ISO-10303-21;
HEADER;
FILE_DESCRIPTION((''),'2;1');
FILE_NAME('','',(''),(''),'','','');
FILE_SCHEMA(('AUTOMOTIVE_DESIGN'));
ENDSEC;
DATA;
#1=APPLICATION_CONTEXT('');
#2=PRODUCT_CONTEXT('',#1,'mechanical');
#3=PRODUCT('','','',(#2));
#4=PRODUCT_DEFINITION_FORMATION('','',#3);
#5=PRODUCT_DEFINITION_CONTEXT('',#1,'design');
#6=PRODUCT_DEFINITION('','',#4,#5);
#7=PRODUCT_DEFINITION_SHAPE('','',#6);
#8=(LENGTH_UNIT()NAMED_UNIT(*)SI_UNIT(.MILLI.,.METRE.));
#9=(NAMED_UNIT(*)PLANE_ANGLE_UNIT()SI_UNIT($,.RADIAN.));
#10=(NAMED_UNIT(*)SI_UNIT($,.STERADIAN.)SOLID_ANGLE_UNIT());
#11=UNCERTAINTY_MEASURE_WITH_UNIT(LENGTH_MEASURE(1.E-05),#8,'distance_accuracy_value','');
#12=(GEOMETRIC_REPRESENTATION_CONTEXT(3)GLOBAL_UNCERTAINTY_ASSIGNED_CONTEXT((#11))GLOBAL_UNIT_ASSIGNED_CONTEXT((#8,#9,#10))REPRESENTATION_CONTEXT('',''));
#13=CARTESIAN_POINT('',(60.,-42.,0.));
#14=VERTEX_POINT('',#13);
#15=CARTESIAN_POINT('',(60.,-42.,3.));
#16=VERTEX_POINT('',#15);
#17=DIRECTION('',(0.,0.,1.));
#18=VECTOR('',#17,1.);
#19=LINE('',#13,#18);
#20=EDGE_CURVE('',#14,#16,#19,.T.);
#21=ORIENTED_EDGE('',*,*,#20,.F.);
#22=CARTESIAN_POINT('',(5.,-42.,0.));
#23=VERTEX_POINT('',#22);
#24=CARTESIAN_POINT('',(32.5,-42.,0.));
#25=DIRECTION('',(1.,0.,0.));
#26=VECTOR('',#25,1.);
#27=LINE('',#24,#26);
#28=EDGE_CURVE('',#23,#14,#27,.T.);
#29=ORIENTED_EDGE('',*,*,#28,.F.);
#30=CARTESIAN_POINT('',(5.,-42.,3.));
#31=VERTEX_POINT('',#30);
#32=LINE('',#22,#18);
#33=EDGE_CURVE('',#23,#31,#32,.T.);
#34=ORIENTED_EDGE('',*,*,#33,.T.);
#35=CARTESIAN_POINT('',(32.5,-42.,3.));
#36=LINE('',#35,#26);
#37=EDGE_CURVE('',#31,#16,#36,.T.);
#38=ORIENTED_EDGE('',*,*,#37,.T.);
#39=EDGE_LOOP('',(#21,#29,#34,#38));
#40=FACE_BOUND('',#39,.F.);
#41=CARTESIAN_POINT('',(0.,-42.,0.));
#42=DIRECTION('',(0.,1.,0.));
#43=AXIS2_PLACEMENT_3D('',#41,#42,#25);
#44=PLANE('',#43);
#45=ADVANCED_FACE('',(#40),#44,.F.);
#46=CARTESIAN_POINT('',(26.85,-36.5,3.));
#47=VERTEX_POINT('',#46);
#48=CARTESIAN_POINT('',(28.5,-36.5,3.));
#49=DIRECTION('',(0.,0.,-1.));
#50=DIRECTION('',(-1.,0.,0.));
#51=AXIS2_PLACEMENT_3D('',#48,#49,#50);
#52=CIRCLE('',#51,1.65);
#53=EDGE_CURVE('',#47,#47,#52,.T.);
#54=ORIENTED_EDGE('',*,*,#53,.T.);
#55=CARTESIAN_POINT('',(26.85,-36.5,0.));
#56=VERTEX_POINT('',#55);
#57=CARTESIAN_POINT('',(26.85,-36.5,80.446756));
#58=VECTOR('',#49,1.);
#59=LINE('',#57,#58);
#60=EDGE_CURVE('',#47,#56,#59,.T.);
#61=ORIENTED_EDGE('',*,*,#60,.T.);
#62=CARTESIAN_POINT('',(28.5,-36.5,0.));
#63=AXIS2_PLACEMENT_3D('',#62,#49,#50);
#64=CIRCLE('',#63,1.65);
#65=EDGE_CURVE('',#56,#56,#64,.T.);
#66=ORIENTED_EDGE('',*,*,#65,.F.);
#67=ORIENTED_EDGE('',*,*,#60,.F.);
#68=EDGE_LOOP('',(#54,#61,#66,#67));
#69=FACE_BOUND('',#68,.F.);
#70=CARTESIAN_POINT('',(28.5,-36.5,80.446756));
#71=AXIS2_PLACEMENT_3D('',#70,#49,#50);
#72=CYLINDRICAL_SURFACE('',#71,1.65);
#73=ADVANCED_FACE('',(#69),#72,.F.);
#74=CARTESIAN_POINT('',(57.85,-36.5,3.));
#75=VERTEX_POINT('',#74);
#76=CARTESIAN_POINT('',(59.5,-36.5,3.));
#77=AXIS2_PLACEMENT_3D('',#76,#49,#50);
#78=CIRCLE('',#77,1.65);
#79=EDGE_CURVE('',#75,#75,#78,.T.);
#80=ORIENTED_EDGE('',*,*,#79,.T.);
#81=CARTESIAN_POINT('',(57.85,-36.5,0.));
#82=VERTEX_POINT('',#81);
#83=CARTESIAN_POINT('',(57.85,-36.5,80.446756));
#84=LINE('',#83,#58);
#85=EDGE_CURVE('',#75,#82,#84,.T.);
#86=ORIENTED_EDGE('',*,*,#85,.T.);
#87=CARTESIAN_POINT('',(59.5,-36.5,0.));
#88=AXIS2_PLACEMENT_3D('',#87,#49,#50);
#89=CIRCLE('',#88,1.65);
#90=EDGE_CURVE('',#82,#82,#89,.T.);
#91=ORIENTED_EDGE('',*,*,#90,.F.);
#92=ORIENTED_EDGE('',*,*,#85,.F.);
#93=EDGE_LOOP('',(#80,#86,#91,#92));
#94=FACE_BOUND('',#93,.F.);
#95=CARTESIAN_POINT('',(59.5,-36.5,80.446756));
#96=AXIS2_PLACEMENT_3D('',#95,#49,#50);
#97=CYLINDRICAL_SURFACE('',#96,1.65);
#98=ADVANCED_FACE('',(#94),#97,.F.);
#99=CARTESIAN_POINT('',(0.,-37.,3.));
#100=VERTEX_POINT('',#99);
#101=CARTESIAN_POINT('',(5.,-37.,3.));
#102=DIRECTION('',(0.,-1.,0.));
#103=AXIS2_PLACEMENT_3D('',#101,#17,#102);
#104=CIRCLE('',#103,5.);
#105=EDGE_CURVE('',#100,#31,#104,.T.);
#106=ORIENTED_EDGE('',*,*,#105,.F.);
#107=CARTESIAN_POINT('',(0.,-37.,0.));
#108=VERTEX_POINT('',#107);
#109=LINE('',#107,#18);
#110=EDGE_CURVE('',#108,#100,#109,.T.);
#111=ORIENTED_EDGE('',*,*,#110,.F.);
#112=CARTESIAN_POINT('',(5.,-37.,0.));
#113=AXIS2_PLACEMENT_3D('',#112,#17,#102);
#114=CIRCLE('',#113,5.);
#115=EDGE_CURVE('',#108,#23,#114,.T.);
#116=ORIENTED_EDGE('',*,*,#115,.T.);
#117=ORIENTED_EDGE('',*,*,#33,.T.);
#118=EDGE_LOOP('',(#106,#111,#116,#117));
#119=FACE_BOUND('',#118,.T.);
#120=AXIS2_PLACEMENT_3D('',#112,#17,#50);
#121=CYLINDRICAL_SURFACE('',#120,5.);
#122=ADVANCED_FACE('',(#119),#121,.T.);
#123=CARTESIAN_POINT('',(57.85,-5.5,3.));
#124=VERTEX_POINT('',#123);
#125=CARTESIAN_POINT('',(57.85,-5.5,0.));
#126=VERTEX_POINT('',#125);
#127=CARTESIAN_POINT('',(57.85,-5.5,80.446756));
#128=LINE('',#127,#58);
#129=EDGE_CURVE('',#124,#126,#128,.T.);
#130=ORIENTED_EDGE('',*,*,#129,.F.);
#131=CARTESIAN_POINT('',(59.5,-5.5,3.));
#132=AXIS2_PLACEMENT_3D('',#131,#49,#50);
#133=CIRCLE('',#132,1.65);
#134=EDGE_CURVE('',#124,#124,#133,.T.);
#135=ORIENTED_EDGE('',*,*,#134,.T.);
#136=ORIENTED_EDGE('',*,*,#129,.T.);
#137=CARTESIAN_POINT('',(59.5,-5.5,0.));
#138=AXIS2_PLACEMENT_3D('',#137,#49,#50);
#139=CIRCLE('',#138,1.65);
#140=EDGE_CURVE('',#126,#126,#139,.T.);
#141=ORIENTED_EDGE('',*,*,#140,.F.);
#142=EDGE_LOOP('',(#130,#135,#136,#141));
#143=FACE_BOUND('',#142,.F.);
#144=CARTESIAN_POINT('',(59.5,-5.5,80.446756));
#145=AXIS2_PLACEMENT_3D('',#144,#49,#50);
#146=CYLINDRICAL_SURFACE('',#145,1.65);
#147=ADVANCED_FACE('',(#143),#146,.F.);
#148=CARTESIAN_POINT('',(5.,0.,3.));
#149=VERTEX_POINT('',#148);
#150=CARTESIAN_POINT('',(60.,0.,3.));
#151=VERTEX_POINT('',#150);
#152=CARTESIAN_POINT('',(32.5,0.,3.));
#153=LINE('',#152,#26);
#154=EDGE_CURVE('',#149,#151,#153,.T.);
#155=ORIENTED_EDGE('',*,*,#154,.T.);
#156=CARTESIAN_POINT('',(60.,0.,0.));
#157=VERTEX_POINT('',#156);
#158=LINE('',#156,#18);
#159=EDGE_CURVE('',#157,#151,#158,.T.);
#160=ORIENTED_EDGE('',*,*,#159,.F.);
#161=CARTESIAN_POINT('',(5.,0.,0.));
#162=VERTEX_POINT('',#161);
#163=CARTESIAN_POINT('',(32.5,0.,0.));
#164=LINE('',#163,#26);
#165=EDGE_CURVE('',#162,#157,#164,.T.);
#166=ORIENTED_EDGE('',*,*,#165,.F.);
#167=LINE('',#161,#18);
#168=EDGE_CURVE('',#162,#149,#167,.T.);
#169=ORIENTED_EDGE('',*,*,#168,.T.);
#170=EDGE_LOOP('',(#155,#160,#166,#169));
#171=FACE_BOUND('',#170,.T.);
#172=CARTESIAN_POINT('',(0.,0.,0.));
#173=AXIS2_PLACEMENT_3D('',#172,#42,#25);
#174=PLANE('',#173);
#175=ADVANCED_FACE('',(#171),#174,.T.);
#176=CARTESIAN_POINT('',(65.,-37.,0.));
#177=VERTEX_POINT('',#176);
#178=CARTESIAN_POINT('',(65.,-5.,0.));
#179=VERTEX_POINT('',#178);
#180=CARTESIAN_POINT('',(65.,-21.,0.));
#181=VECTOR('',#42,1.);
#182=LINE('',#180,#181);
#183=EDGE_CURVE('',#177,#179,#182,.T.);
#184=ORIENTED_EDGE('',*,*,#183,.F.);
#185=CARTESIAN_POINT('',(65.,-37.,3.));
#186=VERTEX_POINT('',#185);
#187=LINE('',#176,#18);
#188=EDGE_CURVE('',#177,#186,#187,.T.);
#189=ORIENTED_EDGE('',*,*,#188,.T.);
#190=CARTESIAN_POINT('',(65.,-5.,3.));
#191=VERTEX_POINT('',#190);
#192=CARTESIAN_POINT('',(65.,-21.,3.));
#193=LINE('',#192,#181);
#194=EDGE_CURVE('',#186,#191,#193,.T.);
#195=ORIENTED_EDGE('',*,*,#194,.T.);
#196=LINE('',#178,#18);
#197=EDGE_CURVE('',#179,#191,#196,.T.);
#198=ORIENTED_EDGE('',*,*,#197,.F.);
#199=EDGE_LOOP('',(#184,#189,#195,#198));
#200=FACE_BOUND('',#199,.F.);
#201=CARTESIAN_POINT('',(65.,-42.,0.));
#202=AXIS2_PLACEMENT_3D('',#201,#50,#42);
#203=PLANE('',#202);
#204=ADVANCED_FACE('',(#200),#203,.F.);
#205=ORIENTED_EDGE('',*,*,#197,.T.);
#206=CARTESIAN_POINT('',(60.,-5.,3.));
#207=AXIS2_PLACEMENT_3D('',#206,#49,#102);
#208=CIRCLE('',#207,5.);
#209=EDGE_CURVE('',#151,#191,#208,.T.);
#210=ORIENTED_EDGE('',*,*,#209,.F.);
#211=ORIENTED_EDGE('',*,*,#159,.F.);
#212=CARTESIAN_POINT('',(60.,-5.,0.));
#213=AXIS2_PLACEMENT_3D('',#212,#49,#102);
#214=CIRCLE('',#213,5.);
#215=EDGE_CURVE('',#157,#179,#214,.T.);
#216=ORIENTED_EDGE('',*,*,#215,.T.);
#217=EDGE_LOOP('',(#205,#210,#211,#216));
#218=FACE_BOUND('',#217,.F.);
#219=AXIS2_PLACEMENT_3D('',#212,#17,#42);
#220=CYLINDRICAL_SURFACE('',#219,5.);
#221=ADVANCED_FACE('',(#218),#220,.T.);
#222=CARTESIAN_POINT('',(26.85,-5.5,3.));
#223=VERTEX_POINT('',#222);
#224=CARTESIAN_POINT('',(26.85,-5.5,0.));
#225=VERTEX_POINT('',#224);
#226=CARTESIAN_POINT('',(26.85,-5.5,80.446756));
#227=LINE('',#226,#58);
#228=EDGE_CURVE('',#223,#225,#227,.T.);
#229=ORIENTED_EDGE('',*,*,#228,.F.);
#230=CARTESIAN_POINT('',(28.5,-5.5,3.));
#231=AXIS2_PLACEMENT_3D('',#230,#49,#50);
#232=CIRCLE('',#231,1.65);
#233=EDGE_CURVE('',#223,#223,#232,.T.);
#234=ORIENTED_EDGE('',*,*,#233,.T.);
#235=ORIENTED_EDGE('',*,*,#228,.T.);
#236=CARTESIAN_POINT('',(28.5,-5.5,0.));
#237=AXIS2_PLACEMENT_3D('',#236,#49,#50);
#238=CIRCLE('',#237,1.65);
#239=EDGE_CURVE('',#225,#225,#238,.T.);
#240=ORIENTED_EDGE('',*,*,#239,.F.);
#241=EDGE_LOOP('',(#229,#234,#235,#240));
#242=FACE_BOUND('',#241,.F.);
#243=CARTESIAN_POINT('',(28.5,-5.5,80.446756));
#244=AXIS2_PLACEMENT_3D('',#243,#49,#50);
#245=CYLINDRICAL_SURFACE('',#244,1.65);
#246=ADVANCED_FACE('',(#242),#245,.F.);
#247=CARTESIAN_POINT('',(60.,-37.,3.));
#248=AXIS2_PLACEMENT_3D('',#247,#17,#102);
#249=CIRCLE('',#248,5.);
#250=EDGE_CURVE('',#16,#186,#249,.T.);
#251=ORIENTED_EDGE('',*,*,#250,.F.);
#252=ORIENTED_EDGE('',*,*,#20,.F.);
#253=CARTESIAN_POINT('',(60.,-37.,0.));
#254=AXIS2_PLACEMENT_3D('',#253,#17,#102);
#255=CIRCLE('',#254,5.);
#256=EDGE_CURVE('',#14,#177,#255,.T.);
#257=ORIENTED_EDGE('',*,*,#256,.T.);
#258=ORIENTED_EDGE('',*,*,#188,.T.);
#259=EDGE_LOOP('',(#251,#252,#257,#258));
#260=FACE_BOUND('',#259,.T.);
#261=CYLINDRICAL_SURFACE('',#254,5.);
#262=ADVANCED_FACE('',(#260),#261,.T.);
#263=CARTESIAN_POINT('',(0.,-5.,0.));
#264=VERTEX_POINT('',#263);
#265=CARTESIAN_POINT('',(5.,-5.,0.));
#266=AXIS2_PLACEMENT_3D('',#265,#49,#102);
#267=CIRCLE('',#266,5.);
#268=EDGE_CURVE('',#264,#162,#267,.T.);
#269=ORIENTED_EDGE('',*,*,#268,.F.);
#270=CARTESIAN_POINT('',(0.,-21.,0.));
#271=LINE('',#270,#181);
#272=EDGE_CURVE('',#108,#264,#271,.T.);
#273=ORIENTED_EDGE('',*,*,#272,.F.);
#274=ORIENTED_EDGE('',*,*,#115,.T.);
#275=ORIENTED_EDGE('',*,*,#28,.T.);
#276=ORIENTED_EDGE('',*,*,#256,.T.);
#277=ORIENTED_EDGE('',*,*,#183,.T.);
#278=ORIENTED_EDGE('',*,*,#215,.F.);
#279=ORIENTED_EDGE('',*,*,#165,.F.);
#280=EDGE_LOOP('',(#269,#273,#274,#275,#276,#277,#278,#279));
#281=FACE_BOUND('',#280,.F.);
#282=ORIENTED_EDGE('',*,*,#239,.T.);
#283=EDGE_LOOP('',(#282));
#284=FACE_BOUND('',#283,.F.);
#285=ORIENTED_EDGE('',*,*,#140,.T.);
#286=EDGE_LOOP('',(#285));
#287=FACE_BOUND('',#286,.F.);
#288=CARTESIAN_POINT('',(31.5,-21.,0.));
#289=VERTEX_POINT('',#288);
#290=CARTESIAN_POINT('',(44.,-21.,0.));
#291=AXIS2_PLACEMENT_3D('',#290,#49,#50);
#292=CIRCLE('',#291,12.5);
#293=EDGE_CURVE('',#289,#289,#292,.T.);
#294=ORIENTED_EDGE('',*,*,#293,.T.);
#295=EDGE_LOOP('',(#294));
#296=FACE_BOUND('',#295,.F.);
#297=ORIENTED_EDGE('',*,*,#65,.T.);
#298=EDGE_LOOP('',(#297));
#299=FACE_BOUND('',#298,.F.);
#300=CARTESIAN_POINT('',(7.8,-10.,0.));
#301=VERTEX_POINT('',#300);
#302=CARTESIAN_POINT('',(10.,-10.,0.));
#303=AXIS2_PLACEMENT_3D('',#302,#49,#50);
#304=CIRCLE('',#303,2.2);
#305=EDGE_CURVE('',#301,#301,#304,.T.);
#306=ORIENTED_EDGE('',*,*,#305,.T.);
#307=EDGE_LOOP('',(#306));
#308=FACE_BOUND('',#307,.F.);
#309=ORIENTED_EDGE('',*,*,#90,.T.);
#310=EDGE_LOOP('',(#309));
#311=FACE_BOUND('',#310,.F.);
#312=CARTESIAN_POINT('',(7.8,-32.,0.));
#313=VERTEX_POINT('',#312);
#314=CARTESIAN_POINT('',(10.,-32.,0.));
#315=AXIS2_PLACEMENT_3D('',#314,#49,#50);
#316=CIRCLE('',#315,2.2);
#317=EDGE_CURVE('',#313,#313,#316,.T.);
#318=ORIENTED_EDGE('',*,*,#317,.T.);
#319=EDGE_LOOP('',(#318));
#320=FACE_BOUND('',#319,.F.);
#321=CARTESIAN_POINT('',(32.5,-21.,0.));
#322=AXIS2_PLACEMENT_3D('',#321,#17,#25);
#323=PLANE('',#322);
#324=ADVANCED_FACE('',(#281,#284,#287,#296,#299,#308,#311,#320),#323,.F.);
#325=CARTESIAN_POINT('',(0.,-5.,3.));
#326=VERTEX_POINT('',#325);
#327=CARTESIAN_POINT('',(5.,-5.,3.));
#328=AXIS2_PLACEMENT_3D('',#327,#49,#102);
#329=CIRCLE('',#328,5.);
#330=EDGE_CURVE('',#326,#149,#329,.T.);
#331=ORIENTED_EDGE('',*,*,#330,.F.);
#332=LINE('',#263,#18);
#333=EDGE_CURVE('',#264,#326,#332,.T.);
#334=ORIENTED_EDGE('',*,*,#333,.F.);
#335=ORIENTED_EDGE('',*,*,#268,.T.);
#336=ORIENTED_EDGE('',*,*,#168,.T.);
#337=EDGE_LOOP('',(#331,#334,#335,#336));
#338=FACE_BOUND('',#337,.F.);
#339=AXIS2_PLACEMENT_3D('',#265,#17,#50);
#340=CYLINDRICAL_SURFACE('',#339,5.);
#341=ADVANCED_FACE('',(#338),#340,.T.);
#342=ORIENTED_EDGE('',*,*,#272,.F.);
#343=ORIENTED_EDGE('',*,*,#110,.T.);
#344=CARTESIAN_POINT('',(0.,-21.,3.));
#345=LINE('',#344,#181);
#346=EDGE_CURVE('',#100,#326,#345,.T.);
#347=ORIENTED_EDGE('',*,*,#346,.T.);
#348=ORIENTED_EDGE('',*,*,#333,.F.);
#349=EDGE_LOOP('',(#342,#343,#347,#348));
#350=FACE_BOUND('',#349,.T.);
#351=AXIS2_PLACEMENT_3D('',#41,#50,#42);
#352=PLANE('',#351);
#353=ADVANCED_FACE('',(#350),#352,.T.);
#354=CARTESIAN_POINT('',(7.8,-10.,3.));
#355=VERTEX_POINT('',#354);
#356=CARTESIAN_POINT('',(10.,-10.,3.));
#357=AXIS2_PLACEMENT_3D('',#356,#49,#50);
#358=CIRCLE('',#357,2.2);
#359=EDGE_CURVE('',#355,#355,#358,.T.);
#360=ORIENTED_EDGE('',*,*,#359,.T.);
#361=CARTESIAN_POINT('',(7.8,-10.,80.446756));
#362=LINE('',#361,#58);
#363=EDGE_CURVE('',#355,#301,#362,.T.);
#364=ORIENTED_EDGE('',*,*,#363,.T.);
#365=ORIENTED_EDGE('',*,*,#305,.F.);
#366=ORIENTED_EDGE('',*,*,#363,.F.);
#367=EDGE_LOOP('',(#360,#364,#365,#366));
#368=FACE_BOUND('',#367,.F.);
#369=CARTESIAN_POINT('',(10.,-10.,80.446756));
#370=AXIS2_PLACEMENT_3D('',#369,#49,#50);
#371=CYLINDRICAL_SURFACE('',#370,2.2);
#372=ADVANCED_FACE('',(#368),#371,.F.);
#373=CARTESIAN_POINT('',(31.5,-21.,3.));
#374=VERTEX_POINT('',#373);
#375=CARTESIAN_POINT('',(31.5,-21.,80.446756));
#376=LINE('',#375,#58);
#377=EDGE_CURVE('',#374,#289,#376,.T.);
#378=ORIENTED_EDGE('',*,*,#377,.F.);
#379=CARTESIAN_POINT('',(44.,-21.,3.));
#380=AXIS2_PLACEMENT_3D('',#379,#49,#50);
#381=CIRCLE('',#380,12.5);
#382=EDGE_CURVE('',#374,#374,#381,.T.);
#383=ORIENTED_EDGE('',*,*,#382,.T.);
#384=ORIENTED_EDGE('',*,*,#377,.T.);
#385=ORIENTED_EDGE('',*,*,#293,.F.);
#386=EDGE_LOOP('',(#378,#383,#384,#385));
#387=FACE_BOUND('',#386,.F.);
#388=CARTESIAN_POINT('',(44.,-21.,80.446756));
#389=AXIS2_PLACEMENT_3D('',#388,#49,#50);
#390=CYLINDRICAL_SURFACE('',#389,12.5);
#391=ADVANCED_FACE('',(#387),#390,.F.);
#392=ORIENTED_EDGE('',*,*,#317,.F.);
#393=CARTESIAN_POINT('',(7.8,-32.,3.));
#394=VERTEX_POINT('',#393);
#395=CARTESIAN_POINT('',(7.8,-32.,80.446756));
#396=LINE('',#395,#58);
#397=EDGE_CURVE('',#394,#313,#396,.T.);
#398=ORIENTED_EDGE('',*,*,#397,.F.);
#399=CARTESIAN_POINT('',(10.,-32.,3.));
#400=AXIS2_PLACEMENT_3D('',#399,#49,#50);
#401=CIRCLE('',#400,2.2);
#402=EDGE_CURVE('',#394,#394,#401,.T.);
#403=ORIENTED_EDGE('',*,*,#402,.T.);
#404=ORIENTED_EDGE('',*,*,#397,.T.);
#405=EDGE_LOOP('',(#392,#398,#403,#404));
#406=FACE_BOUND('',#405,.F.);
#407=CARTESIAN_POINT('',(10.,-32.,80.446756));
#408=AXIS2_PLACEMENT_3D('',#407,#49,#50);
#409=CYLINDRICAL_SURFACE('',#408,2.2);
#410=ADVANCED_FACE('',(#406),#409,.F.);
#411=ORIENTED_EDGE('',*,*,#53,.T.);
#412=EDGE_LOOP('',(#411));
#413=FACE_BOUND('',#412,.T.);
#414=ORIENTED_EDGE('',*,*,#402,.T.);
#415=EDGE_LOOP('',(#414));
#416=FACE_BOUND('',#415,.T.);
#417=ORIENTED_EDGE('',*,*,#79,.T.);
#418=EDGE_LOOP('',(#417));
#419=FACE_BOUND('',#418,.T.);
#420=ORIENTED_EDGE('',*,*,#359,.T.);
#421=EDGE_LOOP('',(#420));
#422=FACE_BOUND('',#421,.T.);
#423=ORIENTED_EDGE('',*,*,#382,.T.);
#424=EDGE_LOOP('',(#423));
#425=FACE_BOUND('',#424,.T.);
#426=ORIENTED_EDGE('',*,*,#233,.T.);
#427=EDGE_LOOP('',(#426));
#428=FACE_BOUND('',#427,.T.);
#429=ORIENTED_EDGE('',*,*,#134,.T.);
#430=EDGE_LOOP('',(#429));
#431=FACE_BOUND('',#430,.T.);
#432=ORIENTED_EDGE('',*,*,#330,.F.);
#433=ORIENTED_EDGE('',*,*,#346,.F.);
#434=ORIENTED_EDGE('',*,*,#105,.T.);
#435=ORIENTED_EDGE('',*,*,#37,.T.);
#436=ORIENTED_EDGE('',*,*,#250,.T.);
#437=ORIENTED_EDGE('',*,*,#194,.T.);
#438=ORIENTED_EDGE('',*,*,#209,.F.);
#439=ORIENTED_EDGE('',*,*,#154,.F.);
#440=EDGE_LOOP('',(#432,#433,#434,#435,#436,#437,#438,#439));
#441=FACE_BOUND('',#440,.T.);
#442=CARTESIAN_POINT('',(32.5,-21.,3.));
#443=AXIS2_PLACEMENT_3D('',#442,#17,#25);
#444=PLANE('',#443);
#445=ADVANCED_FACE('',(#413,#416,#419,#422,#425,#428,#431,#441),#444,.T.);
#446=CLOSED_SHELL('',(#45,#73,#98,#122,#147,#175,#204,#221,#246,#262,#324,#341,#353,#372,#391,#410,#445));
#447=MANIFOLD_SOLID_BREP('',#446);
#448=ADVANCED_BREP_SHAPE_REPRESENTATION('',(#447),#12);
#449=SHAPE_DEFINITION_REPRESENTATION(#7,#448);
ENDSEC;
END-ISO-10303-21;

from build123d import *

# Parameters (mm, degrees)
F0_W     = 65
F0_H     = 42
F1_DEPTH = 3
F3_D     = 3.3
F4_D     = 4.4
F5_D     = 25
F6_R     = 5


with BuildPart() as f1:
    # F0 (on Top) → F1 (new body)
    with BuildSketch(Plane.XY):
        with Locations((32.5, -21)):
            Rectangle(F0_W, F0_H)
    extrude(amount=F1_DEPTH)

    # F3 (through all)
    with Locations(Plane.XY.offset(3)):
        with Locations((28.5, -5.5), (28.5, -36.5), (59.5, -36.5), (59.5, -5.5)):
            Hole(F3_D / 2)

    # F4 (through all)
    with Locations(Plane.XY.offset(3)):
        with Locations((10, -10), (10, -32)):
            Hole(F4_D / 2)

    # F5 (through all)
    with Locations(Plane.XY.offset(3)):
        with Locations((44, -21)):
            Hole(F5_D / 2)

    # F6
    f6_edges = [f1.edges().sort_by_distance(p)[0] for p in [
        (0, -42, 1.5),
        (65, -42, 1.5),
        (65, 0, 1.5),
        (0, 0, 1.5),
    ]]
    fillet(f6_edges, radius=F6_R)


solid = f1.part
